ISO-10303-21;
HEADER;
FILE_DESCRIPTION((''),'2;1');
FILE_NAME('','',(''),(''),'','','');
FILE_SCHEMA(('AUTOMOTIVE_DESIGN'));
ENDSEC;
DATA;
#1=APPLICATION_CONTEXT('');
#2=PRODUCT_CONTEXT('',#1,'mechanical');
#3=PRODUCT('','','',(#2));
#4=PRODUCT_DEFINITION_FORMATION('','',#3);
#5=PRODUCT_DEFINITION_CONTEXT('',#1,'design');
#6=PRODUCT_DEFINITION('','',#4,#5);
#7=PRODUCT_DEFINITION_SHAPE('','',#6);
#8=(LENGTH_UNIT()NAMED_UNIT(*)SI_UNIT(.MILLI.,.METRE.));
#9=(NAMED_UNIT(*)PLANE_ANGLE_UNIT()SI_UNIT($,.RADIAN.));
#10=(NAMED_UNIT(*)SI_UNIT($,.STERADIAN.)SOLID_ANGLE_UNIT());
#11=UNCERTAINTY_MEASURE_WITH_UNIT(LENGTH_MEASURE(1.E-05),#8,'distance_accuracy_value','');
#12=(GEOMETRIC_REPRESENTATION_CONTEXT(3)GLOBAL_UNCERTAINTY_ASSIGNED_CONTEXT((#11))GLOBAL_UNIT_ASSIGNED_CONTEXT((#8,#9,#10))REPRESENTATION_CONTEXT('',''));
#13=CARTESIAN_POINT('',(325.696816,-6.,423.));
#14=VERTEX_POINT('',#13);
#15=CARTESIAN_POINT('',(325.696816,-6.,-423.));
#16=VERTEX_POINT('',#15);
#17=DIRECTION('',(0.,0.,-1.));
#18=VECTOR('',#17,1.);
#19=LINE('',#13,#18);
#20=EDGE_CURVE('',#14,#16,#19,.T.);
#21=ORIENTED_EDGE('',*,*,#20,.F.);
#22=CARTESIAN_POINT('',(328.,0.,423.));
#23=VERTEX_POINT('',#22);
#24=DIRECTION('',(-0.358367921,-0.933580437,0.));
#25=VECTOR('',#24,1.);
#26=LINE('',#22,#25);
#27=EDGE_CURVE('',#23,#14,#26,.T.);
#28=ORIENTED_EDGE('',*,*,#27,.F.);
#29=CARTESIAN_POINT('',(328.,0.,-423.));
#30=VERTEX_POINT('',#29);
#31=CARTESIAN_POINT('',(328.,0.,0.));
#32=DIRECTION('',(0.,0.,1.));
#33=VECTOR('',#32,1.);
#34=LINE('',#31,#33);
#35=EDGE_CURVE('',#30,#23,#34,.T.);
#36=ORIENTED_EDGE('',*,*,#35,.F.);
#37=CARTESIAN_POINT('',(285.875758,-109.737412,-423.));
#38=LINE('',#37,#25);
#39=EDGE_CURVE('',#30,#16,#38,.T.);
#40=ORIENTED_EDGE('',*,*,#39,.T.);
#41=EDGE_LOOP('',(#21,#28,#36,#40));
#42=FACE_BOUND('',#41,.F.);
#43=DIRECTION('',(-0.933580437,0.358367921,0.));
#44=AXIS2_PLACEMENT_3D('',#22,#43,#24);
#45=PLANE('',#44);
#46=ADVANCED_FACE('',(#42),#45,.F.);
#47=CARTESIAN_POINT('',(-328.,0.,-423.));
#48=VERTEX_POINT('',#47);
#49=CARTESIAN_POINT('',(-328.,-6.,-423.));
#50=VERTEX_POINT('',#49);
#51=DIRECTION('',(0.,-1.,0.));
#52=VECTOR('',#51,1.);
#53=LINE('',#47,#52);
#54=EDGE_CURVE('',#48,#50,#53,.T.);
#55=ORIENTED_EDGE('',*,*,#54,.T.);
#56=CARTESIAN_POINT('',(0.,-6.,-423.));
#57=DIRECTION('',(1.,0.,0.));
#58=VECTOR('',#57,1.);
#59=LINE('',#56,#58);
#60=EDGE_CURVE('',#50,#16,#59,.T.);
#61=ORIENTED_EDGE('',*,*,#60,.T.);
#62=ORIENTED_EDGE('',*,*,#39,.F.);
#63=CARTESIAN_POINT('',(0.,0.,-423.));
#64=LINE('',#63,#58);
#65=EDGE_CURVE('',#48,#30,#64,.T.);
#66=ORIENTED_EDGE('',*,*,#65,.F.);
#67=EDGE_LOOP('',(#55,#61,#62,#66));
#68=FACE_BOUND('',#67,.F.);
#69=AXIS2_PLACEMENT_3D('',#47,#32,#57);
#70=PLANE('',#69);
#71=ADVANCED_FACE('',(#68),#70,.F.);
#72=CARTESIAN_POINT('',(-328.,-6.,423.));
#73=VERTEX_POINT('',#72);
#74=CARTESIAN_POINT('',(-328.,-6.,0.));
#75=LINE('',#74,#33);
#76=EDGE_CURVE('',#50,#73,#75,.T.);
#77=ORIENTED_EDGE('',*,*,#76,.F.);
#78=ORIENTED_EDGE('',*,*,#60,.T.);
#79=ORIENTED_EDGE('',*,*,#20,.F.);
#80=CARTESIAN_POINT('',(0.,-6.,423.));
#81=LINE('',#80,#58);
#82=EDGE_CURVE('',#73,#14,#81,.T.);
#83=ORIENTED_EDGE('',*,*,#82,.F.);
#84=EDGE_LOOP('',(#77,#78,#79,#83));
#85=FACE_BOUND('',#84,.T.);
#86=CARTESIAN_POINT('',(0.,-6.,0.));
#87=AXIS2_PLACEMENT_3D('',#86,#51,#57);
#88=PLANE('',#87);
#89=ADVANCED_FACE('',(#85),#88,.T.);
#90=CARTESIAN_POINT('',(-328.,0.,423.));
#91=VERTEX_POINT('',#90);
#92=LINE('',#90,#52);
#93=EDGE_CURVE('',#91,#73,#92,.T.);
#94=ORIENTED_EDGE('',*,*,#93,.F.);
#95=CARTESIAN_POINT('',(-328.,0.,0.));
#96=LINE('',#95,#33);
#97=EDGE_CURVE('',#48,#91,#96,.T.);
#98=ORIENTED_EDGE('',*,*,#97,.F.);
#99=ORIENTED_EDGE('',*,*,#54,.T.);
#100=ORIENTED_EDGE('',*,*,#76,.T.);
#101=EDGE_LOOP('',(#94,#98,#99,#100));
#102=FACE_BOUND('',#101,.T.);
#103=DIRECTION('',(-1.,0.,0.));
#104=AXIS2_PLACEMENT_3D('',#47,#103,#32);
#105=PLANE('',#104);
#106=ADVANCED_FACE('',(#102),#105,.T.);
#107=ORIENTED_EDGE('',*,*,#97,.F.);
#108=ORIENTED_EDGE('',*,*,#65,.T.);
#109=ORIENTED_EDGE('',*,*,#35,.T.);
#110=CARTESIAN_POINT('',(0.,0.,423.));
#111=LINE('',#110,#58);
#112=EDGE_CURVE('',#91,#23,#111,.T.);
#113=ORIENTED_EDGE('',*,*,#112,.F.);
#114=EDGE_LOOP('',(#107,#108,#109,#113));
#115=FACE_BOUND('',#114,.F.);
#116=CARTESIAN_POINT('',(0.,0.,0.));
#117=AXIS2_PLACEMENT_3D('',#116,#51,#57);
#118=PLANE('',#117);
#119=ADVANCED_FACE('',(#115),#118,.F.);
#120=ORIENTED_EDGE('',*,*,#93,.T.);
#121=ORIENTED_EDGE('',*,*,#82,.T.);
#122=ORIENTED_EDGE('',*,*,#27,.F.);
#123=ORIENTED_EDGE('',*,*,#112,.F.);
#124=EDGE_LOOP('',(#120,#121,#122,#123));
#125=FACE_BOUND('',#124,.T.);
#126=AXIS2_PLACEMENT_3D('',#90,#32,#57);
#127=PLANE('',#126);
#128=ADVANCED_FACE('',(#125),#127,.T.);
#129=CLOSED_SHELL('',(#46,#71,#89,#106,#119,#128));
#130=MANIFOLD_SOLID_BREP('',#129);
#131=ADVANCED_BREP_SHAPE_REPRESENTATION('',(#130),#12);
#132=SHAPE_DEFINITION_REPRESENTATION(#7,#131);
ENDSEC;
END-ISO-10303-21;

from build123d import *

# Parameters (mm, degrees)
F0_W     = 656
F0_H     = 846
F1_DEPTH = 6
F3_DEPTH = 870


with BuildPart() as f1:
    # F0 (on Front) → F1 (new body)
    with BuildSketch(Plane.XZ):
        Rectangle(F0_W, F0_H)
    extrude(amount=F1_DEPTH)

    # F2 (on face) → F3 (cut)
    with BuildSketch(Plane.XY.offset(423)):
        Polygon((325.696816, -6), (328, -6), (328, 0), align=None)
    extrude(amount=-F3_DEPTH, mode=Mode.SUBTRACT)


solid = f1.part
